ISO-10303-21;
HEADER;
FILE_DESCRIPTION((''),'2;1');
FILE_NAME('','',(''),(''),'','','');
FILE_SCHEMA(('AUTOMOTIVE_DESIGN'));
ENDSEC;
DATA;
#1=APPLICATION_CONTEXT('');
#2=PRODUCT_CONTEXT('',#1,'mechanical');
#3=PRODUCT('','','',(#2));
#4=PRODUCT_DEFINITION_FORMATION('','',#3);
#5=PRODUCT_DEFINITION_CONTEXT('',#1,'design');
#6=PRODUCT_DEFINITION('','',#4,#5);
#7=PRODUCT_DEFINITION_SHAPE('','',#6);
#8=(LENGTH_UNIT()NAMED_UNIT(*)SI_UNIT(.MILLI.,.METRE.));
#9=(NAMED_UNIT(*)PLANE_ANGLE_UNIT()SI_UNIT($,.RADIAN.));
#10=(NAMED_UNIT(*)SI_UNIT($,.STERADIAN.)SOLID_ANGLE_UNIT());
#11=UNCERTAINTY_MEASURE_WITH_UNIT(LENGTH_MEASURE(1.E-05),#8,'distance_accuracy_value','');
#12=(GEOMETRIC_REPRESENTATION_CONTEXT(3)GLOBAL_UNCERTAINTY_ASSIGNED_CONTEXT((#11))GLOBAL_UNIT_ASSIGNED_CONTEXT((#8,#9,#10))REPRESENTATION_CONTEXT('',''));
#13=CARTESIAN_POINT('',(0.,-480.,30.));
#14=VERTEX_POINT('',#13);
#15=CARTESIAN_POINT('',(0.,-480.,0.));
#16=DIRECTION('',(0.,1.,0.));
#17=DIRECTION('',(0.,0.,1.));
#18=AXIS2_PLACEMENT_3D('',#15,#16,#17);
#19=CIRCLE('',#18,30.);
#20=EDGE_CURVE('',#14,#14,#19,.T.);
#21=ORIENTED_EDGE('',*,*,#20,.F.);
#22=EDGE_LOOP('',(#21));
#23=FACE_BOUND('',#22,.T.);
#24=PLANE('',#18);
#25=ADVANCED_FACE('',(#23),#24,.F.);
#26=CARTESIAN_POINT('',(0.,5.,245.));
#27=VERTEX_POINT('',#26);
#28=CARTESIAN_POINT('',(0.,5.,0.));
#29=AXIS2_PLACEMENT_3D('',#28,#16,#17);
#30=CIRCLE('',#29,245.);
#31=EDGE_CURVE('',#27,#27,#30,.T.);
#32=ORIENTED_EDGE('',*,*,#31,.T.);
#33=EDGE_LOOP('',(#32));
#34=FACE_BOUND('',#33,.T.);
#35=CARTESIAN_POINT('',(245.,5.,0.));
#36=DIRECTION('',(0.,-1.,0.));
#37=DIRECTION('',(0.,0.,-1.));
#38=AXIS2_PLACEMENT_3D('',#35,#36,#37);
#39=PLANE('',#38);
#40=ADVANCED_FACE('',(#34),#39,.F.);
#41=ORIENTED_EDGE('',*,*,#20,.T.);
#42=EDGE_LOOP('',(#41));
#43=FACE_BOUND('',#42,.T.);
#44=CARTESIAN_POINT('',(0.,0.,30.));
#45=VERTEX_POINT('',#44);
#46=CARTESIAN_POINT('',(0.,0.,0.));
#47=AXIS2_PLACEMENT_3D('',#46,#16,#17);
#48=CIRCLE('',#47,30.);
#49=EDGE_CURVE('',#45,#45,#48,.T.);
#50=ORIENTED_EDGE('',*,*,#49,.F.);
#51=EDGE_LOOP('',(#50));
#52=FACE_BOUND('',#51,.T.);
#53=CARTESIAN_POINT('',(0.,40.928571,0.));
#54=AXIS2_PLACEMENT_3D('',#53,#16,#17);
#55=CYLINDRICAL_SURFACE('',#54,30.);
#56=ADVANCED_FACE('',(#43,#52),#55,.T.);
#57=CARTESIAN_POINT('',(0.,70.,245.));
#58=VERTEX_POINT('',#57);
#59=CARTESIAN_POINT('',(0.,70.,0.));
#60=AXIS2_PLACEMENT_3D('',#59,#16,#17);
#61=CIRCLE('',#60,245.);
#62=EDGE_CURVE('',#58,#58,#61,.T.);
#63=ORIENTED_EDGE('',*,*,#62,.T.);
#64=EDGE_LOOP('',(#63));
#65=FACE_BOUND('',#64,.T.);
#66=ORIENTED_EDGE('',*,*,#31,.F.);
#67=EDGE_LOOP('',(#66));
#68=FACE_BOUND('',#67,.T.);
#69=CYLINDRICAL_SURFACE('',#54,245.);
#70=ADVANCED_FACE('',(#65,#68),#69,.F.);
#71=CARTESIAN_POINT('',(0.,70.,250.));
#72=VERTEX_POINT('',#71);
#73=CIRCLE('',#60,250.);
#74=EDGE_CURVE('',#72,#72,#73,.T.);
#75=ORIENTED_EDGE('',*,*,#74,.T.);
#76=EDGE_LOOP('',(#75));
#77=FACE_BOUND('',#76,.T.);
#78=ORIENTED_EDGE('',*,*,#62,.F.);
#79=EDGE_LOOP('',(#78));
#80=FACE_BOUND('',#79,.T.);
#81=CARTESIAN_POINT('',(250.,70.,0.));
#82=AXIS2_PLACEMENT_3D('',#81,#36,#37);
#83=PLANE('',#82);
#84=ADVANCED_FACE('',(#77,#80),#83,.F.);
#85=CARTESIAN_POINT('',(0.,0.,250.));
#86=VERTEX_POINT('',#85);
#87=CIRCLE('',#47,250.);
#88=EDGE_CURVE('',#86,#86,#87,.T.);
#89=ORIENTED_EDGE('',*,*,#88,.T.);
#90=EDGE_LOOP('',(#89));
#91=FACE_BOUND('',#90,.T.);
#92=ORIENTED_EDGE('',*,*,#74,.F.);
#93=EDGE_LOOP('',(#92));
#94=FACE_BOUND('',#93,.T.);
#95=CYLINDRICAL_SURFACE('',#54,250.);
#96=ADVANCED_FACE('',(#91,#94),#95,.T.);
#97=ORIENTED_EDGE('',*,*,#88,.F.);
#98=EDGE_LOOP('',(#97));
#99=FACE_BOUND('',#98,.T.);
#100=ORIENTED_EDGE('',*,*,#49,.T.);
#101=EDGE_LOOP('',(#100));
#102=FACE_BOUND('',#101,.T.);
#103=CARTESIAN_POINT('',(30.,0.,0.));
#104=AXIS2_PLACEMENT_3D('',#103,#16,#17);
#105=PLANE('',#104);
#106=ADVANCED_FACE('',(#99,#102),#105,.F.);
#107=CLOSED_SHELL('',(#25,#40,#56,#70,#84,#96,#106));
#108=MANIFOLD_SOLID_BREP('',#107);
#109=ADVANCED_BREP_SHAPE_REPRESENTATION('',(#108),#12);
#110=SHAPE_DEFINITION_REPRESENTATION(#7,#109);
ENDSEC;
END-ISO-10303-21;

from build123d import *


with BuildPart() as part:
    # Sketch1 → Revolve1 (revolve)
    with BuildSketch(Plane.XY, mode=Mode.PRIVATE) as revolve1_sk:
        Polygon((30, -480), (30, 0), (250, 0), (250, 70), (245, 70), (245, 5), (0, 5), (0, -480), align=None)
    revolve(revolve1_sk.sketch.rotate(Axis((0, 40.928571429, 0), (0, -1, 0)), 90), axis=Axis((0, 40.928571429, 0), (0, -1, 0)))


solid = part.part
